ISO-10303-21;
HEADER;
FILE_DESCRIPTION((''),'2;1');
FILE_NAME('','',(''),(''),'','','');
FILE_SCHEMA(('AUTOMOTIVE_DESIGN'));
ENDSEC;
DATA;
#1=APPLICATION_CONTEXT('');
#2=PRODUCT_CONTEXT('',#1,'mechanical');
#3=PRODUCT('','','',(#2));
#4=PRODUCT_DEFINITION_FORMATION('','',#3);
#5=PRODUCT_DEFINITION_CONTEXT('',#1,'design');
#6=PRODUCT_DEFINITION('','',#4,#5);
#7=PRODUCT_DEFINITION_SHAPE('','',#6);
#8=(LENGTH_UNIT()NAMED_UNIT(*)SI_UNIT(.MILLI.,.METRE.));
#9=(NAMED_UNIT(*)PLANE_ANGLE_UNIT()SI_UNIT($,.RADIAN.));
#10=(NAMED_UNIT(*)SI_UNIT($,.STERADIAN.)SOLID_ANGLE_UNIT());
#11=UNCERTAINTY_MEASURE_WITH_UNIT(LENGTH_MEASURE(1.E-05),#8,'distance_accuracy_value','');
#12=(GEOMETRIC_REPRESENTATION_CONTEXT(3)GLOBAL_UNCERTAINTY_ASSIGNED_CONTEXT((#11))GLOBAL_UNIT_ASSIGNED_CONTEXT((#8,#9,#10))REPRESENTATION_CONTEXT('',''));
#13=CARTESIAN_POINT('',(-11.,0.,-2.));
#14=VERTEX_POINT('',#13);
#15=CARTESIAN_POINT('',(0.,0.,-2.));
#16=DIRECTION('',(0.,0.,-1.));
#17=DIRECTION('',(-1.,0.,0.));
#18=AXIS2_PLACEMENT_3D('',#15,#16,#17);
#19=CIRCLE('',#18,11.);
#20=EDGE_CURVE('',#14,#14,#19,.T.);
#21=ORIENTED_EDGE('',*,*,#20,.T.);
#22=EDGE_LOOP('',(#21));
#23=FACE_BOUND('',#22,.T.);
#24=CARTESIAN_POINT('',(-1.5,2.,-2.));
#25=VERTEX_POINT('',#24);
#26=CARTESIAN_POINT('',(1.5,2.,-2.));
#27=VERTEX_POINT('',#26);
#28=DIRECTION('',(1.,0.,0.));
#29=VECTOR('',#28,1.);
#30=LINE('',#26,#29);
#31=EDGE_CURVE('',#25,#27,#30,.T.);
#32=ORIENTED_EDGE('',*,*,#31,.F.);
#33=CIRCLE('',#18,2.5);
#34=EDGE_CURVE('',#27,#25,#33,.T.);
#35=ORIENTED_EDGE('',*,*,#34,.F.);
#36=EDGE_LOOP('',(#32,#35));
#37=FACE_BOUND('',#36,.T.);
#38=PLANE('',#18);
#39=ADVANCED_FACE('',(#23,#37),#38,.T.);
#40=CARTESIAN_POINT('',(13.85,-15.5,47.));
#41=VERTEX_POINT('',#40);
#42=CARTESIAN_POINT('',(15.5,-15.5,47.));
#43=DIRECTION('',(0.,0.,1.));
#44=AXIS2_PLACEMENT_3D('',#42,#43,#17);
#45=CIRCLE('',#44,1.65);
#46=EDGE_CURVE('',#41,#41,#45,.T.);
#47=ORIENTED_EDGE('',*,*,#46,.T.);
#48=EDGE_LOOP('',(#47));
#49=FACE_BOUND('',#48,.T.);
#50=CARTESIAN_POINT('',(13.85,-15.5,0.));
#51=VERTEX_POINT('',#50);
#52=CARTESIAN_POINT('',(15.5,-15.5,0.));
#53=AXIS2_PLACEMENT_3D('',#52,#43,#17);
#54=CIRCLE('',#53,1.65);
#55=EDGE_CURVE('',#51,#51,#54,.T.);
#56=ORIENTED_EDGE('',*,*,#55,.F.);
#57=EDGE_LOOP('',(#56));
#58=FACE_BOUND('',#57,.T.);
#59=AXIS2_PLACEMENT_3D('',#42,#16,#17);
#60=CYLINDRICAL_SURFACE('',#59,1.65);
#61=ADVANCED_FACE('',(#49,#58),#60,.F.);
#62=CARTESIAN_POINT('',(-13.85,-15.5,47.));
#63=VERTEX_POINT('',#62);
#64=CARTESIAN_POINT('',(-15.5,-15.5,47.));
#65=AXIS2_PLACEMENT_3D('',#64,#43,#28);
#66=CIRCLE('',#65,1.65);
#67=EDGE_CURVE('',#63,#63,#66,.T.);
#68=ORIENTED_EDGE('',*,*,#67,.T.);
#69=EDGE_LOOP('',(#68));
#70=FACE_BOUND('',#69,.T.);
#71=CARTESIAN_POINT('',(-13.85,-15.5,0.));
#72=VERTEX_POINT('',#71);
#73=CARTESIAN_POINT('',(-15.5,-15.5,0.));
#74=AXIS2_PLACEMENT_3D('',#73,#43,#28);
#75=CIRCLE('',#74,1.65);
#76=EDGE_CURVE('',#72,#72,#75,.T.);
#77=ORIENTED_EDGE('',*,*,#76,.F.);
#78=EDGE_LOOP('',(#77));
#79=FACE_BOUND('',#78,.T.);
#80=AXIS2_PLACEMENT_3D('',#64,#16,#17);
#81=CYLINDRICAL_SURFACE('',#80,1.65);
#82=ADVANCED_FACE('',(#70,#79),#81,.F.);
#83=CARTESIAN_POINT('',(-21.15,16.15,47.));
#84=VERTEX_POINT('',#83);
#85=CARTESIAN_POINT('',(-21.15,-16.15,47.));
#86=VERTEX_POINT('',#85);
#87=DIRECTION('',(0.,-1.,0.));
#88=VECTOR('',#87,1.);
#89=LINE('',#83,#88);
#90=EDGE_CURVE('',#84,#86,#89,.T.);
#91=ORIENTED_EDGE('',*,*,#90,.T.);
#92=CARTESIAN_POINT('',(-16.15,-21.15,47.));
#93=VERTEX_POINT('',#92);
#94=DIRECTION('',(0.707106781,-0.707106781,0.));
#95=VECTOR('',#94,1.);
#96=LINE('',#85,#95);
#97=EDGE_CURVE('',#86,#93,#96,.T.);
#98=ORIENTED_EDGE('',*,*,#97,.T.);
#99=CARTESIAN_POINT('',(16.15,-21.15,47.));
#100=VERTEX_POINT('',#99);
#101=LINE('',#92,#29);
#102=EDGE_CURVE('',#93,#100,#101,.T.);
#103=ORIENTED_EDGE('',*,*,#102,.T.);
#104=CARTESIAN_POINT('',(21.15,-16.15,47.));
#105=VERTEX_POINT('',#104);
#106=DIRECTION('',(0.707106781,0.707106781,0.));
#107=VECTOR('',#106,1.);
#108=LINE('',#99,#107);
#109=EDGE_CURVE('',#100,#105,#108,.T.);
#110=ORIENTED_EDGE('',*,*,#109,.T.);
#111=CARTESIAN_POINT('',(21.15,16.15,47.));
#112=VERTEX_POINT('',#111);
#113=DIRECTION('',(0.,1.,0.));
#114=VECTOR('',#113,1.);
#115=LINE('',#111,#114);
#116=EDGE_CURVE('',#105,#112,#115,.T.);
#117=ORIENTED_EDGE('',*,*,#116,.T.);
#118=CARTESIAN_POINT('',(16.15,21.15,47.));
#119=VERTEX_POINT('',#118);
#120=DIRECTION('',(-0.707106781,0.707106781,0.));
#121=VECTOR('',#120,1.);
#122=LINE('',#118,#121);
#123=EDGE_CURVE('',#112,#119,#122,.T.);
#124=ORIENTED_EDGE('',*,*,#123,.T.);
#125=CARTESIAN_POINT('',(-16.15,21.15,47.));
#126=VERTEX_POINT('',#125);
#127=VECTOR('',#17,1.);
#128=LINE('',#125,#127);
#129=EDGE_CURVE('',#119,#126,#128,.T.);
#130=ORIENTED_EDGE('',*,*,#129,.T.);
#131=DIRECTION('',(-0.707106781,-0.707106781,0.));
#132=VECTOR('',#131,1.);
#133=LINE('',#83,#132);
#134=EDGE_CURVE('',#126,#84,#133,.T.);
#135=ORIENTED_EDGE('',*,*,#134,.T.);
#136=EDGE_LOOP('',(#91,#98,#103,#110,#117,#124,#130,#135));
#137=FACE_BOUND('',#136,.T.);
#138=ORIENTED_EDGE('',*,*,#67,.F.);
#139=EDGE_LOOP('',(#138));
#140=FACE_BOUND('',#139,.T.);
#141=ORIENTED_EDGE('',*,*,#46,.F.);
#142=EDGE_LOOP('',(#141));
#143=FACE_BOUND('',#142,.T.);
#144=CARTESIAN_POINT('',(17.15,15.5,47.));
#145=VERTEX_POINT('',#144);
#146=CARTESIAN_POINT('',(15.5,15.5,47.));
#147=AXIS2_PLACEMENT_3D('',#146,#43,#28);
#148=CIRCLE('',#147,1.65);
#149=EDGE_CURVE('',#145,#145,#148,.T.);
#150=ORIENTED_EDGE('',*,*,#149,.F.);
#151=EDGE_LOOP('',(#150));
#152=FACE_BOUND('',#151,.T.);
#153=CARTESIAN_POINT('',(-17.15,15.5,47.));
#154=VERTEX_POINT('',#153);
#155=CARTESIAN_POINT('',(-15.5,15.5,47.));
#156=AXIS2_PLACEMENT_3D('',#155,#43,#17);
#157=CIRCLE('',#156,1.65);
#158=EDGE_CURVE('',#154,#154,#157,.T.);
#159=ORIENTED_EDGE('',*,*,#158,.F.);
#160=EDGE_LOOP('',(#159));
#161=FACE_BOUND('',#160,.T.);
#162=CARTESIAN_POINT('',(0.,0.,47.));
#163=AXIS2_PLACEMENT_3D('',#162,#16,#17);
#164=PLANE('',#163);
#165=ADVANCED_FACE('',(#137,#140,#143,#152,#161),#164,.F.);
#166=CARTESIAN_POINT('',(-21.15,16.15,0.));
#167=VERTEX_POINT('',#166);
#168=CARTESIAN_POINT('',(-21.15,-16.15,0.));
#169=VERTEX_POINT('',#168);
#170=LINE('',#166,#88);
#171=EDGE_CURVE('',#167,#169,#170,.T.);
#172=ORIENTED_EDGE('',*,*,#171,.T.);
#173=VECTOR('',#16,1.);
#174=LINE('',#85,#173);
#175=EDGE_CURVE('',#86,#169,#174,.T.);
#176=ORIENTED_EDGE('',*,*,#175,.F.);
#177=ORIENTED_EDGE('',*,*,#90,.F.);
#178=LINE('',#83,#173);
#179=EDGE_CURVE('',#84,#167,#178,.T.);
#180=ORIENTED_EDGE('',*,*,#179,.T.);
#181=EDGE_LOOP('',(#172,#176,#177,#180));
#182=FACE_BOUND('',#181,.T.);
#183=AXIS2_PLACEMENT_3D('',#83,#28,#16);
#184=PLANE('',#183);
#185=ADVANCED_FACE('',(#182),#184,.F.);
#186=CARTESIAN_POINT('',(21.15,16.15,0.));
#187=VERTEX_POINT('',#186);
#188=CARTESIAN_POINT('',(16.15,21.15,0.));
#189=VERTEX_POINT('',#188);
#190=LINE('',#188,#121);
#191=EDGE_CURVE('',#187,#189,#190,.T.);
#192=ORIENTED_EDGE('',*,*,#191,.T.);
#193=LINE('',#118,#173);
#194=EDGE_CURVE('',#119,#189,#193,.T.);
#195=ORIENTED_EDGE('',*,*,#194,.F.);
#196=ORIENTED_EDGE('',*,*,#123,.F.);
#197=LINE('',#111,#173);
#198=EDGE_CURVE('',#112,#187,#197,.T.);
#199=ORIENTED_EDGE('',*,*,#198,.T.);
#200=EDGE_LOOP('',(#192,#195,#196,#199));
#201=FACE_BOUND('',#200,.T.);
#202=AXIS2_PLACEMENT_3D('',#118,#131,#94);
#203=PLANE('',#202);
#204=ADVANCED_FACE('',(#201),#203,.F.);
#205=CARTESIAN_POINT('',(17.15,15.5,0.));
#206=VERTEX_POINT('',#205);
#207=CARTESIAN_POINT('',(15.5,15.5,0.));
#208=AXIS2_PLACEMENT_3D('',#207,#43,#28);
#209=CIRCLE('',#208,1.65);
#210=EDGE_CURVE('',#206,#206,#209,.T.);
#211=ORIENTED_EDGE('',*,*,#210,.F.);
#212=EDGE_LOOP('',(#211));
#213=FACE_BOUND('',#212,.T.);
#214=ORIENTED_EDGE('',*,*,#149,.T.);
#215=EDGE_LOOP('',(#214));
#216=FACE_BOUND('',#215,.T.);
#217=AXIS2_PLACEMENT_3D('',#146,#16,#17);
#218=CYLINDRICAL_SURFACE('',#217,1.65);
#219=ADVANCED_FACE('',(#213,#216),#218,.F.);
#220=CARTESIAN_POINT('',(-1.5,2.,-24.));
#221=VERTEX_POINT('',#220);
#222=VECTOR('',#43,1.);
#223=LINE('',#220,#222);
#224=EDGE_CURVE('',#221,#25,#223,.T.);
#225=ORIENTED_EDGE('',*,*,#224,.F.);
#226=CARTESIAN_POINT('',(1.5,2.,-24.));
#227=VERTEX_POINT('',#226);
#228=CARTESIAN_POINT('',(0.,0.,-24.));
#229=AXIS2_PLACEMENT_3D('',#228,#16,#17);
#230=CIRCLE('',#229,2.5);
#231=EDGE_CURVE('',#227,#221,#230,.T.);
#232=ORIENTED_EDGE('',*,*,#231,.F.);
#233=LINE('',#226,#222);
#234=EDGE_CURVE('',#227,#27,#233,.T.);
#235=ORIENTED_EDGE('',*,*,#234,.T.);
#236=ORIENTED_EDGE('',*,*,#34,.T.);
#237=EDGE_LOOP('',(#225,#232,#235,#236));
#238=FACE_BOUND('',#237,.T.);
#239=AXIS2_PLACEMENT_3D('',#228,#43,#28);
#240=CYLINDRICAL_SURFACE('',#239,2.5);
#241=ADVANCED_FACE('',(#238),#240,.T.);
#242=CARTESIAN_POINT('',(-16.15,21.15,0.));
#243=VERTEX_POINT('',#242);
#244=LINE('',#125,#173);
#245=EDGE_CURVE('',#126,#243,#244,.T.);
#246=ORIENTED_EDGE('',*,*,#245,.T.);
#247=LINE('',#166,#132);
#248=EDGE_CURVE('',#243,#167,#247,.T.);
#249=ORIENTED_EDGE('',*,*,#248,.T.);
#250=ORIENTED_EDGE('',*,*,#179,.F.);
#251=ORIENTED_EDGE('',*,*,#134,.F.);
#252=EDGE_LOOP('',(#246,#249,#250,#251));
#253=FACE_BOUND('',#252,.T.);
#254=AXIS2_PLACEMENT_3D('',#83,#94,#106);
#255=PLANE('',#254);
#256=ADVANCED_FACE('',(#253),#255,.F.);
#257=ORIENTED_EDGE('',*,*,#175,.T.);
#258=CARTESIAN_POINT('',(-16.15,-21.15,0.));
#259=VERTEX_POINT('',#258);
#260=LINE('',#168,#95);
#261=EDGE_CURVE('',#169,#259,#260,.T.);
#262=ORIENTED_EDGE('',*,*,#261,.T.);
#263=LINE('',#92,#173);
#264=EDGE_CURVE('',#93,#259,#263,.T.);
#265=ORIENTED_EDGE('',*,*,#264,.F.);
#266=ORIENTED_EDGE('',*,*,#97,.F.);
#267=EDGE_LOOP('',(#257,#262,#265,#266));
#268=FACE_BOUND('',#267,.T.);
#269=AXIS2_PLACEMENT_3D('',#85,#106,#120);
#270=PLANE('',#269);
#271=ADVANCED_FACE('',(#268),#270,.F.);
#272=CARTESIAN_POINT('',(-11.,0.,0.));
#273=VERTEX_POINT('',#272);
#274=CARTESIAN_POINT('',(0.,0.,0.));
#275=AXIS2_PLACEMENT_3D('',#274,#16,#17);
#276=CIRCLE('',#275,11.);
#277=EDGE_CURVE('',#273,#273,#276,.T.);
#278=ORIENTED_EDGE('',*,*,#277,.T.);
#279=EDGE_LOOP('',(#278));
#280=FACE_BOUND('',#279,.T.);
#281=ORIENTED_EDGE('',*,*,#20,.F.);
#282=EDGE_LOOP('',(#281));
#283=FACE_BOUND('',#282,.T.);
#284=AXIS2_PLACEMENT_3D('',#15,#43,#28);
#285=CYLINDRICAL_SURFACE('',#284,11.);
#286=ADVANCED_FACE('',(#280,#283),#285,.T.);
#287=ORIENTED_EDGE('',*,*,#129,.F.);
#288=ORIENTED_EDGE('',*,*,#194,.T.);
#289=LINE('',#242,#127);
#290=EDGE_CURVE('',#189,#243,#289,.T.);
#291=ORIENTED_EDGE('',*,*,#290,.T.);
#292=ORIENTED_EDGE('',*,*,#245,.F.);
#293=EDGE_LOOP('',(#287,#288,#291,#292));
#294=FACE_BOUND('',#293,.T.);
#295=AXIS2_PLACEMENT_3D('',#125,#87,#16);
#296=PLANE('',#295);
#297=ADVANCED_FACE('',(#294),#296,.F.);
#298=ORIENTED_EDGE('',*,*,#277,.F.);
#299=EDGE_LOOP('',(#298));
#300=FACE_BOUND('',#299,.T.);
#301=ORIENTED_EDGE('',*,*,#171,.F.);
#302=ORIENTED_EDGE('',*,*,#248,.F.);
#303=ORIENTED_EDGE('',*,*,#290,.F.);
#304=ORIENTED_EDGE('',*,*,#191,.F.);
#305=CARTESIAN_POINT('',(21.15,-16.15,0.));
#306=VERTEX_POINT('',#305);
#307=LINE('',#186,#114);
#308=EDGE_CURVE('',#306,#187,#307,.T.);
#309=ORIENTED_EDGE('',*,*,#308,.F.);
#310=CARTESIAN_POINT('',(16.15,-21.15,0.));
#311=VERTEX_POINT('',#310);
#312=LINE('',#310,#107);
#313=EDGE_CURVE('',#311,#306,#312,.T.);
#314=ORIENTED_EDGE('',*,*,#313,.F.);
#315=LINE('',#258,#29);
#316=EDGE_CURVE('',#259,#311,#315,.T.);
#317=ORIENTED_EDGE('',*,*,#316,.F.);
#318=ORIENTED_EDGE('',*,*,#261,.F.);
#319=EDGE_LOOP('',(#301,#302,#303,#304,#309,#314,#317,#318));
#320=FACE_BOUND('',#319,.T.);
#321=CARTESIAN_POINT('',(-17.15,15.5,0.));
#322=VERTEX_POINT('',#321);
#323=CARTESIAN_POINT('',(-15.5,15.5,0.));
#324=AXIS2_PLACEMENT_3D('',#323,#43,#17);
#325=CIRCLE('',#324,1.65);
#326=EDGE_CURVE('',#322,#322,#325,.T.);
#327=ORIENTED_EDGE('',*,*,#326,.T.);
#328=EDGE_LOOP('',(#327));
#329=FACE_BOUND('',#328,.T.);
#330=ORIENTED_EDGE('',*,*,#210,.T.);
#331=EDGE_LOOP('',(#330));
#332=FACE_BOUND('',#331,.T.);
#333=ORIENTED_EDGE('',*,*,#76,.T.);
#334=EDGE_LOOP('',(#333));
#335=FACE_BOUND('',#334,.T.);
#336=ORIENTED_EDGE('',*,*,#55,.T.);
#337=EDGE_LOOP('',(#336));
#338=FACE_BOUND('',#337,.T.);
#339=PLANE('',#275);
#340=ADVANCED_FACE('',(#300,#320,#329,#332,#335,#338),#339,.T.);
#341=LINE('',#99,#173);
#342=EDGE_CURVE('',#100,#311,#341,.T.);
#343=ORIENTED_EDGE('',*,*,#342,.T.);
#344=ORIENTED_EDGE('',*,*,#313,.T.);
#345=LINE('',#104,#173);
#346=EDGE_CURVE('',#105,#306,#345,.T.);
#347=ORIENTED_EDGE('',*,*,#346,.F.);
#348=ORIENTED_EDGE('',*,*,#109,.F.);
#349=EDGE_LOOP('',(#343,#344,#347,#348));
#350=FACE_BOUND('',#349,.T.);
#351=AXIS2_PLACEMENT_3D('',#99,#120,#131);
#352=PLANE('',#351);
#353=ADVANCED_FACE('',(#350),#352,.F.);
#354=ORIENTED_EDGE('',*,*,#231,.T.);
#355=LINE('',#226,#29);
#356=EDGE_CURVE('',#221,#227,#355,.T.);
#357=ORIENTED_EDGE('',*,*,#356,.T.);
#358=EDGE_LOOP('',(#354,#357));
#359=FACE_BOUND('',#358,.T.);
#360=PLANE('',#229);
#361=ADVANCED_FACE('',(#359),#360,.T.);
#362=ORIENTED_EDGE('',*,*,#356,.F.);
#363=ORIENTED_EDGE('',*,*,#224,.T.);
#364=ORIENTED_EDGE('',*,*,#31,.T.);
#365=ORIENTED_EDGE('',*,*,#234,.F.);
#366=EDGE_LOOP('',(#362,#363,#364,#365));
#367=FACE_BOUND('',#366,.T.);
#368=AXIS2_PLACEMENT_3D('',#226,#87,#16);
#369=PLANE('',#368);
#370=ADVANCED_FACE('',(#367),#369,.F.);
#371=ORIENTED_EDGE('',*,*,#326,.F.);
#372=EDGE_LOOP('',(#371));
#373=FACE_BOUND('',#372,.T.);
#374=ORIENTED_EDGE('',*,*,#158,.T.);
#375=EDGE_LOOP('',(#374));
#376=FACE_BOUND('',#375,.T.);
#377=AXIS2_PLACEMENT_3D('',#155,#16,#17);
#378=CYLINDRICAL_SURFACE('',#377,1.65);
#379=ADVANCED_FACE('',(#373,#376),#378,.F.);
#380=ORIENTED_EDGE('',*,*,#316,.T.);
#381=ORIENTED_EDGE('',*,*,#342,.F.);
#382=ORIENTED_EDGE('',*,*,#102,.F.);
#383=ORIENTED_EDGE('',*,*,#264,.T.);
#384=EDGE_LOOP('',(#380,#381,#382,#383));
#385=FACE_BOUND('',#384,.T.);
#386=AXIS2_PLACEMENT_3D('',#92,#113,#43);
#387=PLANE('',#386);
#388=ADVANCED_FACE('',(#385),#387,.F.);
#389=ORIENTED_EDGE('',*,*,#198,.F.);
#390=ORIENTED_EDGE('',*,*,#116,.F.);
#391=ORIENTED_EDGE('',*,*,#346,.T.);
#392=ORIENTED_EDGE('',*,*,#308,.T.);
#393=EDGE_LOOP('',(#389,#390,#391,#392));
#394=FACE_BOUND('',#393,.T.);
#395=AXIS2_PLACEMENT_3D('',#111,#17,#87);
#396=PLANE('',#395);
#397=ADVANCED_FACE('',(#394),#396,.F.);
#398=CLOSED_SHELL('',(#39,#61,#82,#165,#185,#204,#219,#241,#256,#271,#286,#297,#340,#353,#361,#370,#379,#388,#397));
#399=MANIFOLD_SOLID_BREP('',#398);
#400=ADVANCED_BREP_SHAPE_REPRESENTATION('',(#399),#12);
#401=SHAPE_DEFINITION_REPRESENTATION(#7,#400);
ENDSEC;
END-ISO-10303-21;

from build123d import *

# Parameters (mm, degrees)
SKETCH_1_R      = 1.65
EXTRUDE_1_DEPTH = 47
SKETCH_3_R      = 11
EXTRUDE_2_DEPTH = 2
EXTRUDE_3_DEPTH = 22


with BuildPart() as part:
    # 草图1 → 凸台-拉伸1 (new body)
    with BuildSketch(Plane.XY):
        Polygon((-21.15, 16.15), (-16.15, 21.15), (16.15, 21.15), (21.15, 16.15), (21.15, -16.15), (16.15, -21.15), (-16.15, -21.15), (-21.15, -16.15), align=None)
        with Locations((15.5, 15.5)):
            Circle(SKETCH_1_R, mode=Mode.SUBTRACT)
        with Locations((-15.5, 15.5)):
            Circle(SKETCH_1_R, mode=Mode.SUBTRACT)
        with Locations((15.5, -15.5)):
            Circle(SKETCH_1_R, mode=Mode.SUBTRACT)
        with Locations((-15.5, -15.5)):
            Circle(SKETCH_1_R, mode=Mode.SUBTRACT)
    extrude(amount=EXTRUDE_1_DEPTH)

    # 草图3 → 凸台-拉伸2 (add)
    with BuildSketch(Plane(origin=(0, 0, 0), x_dir=(-1, 0, 0), z_dir=(0, 0, -1))):
        Circle(SKETCH_3_R)
    extrude(amount=EXTRUDE_2_DEPTH)

    # 草图4 → 凸台-拉伸3 (add)
    with BuildSketch(Plane(origin=(0, 0, -2), x_dir=(-1, 0, 0), z_dir=(0, 0, -1))):
        with BuildLine():
            Line((-1.5, 2), (1.5, 2))
            ThreePointArc((1.5, 2), (0, -2.5), (-1.5, 2))
        make_face()
    extrude(amount=EXTRUDE_3_DEPTH)


solid = part.part
